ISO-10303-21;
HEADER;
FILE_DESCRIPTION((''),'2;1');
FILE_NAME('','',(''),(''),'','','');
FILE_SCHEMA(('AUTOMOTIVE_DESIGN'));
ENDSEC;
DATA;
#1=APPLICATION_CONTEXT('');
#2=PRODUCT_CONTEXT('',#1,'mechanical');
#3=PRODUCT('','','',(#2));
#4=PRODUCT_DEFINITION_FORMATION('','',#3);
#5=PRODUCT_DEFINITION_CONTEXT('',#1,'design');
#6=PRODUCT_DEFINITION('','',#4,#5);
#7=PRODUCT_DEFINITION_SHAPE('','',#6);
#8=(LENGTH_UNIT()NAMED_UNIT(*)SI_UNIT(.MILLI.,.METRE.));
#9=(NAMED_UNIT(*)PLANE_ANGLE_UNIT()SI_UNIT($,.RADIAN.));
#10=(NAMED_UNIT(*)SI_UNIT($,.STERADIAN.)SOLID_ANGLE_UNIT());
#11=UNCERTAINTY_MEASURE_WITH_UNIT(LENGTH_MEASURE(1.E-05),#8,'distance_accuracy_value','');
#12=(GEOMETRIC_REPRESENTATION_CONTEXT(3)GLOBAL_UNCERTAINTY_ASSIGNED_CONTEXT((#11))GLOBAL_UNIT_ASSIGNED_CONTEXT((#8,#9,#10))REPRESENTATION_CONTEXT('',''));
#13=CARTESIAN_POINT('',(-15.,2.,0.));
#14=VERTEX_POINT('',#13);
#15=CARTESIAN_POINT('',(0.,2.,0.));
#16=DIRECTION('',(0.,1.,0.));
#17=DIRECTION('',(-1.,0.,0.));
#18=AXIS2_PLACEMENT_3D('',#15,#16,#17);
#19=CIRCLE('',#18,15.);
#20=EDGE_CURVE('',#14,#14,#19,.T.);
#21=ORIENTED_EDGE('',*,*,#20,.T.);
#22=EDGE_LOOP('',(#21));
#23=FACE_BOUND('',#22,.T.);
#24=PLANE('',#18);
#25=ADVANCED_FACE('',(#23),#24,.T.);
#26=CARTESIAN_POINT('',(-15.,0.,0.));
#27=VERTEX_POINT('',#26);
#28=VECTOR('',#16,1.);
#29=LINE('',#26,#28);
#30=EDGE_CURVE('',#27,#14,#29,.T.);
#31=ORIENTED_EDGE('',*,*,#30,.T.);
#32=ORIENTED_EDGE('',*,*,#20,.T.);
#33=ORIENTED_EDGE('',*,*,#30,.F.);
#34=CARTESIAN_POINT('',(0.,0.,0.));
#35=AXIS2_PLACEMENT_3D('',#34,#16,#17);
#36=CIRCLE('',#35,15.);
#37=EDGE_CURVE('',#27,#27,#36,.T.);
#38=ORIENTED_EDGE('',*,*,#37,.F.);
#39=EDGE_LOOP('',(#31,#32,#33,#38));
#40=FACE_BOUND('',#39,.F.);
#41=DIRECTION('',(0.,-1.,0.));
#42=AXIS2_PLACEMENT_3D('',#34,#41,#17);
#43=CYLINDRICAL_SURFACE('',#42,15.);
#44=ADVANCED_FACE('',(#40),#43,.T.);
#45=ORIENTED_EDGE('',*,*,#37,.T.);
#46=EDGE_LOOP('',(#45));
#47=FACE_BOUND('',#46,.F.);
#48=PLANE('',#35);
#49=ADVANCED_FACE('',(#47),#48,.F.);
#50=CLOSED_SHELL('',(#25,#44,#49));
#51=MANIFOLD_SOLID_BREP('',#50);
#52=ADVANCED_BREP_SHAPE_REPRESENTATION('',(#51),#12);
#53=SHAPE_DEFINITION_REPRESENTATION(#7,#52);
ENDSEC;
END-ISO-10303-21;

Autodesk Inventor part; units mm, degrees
ref_plane "YZ Plane" through (0, 0, 0) normal (1, 0, 0) x (0, 1, 0)
ref_plane "XZ Plane" through (0, 0, 0) normal (0, 1, 0) x (-1, 0, 0)
ref_plane "XY Plane" through (0, 0, 0) normal (0, 0, 1) x (1, 0, 0)
sketch "Sketch1" plane through (0, 0, 0) normal (0, 1, 0) x (-1, 0, 0)
  circle A0 centre (0, 0) radius 15
  dimension "d0" = 30
extrude "Extrusion1" add sketch "Sketch1" along normal blind 2
equation "\"BendRadius\" = Thickness"
equation "\"BendReliefWidth\" = Thickness"
equation "\"BendReliefDepth\" = 0.5 * Thickness"
equation "\"CornerReliefSize\" = 4 * Thickness"
equation "\"MinimumRemnant\" = 2 * Thickness"
equation "\"TransitionRadius\" = BendRadius"
equation "\"JacobiRadiusSize\" = BendRadius"
equation "\"GapSize\" = Thickness"
equation "\"Thickness\" = 0.5"
properties part number "30"
